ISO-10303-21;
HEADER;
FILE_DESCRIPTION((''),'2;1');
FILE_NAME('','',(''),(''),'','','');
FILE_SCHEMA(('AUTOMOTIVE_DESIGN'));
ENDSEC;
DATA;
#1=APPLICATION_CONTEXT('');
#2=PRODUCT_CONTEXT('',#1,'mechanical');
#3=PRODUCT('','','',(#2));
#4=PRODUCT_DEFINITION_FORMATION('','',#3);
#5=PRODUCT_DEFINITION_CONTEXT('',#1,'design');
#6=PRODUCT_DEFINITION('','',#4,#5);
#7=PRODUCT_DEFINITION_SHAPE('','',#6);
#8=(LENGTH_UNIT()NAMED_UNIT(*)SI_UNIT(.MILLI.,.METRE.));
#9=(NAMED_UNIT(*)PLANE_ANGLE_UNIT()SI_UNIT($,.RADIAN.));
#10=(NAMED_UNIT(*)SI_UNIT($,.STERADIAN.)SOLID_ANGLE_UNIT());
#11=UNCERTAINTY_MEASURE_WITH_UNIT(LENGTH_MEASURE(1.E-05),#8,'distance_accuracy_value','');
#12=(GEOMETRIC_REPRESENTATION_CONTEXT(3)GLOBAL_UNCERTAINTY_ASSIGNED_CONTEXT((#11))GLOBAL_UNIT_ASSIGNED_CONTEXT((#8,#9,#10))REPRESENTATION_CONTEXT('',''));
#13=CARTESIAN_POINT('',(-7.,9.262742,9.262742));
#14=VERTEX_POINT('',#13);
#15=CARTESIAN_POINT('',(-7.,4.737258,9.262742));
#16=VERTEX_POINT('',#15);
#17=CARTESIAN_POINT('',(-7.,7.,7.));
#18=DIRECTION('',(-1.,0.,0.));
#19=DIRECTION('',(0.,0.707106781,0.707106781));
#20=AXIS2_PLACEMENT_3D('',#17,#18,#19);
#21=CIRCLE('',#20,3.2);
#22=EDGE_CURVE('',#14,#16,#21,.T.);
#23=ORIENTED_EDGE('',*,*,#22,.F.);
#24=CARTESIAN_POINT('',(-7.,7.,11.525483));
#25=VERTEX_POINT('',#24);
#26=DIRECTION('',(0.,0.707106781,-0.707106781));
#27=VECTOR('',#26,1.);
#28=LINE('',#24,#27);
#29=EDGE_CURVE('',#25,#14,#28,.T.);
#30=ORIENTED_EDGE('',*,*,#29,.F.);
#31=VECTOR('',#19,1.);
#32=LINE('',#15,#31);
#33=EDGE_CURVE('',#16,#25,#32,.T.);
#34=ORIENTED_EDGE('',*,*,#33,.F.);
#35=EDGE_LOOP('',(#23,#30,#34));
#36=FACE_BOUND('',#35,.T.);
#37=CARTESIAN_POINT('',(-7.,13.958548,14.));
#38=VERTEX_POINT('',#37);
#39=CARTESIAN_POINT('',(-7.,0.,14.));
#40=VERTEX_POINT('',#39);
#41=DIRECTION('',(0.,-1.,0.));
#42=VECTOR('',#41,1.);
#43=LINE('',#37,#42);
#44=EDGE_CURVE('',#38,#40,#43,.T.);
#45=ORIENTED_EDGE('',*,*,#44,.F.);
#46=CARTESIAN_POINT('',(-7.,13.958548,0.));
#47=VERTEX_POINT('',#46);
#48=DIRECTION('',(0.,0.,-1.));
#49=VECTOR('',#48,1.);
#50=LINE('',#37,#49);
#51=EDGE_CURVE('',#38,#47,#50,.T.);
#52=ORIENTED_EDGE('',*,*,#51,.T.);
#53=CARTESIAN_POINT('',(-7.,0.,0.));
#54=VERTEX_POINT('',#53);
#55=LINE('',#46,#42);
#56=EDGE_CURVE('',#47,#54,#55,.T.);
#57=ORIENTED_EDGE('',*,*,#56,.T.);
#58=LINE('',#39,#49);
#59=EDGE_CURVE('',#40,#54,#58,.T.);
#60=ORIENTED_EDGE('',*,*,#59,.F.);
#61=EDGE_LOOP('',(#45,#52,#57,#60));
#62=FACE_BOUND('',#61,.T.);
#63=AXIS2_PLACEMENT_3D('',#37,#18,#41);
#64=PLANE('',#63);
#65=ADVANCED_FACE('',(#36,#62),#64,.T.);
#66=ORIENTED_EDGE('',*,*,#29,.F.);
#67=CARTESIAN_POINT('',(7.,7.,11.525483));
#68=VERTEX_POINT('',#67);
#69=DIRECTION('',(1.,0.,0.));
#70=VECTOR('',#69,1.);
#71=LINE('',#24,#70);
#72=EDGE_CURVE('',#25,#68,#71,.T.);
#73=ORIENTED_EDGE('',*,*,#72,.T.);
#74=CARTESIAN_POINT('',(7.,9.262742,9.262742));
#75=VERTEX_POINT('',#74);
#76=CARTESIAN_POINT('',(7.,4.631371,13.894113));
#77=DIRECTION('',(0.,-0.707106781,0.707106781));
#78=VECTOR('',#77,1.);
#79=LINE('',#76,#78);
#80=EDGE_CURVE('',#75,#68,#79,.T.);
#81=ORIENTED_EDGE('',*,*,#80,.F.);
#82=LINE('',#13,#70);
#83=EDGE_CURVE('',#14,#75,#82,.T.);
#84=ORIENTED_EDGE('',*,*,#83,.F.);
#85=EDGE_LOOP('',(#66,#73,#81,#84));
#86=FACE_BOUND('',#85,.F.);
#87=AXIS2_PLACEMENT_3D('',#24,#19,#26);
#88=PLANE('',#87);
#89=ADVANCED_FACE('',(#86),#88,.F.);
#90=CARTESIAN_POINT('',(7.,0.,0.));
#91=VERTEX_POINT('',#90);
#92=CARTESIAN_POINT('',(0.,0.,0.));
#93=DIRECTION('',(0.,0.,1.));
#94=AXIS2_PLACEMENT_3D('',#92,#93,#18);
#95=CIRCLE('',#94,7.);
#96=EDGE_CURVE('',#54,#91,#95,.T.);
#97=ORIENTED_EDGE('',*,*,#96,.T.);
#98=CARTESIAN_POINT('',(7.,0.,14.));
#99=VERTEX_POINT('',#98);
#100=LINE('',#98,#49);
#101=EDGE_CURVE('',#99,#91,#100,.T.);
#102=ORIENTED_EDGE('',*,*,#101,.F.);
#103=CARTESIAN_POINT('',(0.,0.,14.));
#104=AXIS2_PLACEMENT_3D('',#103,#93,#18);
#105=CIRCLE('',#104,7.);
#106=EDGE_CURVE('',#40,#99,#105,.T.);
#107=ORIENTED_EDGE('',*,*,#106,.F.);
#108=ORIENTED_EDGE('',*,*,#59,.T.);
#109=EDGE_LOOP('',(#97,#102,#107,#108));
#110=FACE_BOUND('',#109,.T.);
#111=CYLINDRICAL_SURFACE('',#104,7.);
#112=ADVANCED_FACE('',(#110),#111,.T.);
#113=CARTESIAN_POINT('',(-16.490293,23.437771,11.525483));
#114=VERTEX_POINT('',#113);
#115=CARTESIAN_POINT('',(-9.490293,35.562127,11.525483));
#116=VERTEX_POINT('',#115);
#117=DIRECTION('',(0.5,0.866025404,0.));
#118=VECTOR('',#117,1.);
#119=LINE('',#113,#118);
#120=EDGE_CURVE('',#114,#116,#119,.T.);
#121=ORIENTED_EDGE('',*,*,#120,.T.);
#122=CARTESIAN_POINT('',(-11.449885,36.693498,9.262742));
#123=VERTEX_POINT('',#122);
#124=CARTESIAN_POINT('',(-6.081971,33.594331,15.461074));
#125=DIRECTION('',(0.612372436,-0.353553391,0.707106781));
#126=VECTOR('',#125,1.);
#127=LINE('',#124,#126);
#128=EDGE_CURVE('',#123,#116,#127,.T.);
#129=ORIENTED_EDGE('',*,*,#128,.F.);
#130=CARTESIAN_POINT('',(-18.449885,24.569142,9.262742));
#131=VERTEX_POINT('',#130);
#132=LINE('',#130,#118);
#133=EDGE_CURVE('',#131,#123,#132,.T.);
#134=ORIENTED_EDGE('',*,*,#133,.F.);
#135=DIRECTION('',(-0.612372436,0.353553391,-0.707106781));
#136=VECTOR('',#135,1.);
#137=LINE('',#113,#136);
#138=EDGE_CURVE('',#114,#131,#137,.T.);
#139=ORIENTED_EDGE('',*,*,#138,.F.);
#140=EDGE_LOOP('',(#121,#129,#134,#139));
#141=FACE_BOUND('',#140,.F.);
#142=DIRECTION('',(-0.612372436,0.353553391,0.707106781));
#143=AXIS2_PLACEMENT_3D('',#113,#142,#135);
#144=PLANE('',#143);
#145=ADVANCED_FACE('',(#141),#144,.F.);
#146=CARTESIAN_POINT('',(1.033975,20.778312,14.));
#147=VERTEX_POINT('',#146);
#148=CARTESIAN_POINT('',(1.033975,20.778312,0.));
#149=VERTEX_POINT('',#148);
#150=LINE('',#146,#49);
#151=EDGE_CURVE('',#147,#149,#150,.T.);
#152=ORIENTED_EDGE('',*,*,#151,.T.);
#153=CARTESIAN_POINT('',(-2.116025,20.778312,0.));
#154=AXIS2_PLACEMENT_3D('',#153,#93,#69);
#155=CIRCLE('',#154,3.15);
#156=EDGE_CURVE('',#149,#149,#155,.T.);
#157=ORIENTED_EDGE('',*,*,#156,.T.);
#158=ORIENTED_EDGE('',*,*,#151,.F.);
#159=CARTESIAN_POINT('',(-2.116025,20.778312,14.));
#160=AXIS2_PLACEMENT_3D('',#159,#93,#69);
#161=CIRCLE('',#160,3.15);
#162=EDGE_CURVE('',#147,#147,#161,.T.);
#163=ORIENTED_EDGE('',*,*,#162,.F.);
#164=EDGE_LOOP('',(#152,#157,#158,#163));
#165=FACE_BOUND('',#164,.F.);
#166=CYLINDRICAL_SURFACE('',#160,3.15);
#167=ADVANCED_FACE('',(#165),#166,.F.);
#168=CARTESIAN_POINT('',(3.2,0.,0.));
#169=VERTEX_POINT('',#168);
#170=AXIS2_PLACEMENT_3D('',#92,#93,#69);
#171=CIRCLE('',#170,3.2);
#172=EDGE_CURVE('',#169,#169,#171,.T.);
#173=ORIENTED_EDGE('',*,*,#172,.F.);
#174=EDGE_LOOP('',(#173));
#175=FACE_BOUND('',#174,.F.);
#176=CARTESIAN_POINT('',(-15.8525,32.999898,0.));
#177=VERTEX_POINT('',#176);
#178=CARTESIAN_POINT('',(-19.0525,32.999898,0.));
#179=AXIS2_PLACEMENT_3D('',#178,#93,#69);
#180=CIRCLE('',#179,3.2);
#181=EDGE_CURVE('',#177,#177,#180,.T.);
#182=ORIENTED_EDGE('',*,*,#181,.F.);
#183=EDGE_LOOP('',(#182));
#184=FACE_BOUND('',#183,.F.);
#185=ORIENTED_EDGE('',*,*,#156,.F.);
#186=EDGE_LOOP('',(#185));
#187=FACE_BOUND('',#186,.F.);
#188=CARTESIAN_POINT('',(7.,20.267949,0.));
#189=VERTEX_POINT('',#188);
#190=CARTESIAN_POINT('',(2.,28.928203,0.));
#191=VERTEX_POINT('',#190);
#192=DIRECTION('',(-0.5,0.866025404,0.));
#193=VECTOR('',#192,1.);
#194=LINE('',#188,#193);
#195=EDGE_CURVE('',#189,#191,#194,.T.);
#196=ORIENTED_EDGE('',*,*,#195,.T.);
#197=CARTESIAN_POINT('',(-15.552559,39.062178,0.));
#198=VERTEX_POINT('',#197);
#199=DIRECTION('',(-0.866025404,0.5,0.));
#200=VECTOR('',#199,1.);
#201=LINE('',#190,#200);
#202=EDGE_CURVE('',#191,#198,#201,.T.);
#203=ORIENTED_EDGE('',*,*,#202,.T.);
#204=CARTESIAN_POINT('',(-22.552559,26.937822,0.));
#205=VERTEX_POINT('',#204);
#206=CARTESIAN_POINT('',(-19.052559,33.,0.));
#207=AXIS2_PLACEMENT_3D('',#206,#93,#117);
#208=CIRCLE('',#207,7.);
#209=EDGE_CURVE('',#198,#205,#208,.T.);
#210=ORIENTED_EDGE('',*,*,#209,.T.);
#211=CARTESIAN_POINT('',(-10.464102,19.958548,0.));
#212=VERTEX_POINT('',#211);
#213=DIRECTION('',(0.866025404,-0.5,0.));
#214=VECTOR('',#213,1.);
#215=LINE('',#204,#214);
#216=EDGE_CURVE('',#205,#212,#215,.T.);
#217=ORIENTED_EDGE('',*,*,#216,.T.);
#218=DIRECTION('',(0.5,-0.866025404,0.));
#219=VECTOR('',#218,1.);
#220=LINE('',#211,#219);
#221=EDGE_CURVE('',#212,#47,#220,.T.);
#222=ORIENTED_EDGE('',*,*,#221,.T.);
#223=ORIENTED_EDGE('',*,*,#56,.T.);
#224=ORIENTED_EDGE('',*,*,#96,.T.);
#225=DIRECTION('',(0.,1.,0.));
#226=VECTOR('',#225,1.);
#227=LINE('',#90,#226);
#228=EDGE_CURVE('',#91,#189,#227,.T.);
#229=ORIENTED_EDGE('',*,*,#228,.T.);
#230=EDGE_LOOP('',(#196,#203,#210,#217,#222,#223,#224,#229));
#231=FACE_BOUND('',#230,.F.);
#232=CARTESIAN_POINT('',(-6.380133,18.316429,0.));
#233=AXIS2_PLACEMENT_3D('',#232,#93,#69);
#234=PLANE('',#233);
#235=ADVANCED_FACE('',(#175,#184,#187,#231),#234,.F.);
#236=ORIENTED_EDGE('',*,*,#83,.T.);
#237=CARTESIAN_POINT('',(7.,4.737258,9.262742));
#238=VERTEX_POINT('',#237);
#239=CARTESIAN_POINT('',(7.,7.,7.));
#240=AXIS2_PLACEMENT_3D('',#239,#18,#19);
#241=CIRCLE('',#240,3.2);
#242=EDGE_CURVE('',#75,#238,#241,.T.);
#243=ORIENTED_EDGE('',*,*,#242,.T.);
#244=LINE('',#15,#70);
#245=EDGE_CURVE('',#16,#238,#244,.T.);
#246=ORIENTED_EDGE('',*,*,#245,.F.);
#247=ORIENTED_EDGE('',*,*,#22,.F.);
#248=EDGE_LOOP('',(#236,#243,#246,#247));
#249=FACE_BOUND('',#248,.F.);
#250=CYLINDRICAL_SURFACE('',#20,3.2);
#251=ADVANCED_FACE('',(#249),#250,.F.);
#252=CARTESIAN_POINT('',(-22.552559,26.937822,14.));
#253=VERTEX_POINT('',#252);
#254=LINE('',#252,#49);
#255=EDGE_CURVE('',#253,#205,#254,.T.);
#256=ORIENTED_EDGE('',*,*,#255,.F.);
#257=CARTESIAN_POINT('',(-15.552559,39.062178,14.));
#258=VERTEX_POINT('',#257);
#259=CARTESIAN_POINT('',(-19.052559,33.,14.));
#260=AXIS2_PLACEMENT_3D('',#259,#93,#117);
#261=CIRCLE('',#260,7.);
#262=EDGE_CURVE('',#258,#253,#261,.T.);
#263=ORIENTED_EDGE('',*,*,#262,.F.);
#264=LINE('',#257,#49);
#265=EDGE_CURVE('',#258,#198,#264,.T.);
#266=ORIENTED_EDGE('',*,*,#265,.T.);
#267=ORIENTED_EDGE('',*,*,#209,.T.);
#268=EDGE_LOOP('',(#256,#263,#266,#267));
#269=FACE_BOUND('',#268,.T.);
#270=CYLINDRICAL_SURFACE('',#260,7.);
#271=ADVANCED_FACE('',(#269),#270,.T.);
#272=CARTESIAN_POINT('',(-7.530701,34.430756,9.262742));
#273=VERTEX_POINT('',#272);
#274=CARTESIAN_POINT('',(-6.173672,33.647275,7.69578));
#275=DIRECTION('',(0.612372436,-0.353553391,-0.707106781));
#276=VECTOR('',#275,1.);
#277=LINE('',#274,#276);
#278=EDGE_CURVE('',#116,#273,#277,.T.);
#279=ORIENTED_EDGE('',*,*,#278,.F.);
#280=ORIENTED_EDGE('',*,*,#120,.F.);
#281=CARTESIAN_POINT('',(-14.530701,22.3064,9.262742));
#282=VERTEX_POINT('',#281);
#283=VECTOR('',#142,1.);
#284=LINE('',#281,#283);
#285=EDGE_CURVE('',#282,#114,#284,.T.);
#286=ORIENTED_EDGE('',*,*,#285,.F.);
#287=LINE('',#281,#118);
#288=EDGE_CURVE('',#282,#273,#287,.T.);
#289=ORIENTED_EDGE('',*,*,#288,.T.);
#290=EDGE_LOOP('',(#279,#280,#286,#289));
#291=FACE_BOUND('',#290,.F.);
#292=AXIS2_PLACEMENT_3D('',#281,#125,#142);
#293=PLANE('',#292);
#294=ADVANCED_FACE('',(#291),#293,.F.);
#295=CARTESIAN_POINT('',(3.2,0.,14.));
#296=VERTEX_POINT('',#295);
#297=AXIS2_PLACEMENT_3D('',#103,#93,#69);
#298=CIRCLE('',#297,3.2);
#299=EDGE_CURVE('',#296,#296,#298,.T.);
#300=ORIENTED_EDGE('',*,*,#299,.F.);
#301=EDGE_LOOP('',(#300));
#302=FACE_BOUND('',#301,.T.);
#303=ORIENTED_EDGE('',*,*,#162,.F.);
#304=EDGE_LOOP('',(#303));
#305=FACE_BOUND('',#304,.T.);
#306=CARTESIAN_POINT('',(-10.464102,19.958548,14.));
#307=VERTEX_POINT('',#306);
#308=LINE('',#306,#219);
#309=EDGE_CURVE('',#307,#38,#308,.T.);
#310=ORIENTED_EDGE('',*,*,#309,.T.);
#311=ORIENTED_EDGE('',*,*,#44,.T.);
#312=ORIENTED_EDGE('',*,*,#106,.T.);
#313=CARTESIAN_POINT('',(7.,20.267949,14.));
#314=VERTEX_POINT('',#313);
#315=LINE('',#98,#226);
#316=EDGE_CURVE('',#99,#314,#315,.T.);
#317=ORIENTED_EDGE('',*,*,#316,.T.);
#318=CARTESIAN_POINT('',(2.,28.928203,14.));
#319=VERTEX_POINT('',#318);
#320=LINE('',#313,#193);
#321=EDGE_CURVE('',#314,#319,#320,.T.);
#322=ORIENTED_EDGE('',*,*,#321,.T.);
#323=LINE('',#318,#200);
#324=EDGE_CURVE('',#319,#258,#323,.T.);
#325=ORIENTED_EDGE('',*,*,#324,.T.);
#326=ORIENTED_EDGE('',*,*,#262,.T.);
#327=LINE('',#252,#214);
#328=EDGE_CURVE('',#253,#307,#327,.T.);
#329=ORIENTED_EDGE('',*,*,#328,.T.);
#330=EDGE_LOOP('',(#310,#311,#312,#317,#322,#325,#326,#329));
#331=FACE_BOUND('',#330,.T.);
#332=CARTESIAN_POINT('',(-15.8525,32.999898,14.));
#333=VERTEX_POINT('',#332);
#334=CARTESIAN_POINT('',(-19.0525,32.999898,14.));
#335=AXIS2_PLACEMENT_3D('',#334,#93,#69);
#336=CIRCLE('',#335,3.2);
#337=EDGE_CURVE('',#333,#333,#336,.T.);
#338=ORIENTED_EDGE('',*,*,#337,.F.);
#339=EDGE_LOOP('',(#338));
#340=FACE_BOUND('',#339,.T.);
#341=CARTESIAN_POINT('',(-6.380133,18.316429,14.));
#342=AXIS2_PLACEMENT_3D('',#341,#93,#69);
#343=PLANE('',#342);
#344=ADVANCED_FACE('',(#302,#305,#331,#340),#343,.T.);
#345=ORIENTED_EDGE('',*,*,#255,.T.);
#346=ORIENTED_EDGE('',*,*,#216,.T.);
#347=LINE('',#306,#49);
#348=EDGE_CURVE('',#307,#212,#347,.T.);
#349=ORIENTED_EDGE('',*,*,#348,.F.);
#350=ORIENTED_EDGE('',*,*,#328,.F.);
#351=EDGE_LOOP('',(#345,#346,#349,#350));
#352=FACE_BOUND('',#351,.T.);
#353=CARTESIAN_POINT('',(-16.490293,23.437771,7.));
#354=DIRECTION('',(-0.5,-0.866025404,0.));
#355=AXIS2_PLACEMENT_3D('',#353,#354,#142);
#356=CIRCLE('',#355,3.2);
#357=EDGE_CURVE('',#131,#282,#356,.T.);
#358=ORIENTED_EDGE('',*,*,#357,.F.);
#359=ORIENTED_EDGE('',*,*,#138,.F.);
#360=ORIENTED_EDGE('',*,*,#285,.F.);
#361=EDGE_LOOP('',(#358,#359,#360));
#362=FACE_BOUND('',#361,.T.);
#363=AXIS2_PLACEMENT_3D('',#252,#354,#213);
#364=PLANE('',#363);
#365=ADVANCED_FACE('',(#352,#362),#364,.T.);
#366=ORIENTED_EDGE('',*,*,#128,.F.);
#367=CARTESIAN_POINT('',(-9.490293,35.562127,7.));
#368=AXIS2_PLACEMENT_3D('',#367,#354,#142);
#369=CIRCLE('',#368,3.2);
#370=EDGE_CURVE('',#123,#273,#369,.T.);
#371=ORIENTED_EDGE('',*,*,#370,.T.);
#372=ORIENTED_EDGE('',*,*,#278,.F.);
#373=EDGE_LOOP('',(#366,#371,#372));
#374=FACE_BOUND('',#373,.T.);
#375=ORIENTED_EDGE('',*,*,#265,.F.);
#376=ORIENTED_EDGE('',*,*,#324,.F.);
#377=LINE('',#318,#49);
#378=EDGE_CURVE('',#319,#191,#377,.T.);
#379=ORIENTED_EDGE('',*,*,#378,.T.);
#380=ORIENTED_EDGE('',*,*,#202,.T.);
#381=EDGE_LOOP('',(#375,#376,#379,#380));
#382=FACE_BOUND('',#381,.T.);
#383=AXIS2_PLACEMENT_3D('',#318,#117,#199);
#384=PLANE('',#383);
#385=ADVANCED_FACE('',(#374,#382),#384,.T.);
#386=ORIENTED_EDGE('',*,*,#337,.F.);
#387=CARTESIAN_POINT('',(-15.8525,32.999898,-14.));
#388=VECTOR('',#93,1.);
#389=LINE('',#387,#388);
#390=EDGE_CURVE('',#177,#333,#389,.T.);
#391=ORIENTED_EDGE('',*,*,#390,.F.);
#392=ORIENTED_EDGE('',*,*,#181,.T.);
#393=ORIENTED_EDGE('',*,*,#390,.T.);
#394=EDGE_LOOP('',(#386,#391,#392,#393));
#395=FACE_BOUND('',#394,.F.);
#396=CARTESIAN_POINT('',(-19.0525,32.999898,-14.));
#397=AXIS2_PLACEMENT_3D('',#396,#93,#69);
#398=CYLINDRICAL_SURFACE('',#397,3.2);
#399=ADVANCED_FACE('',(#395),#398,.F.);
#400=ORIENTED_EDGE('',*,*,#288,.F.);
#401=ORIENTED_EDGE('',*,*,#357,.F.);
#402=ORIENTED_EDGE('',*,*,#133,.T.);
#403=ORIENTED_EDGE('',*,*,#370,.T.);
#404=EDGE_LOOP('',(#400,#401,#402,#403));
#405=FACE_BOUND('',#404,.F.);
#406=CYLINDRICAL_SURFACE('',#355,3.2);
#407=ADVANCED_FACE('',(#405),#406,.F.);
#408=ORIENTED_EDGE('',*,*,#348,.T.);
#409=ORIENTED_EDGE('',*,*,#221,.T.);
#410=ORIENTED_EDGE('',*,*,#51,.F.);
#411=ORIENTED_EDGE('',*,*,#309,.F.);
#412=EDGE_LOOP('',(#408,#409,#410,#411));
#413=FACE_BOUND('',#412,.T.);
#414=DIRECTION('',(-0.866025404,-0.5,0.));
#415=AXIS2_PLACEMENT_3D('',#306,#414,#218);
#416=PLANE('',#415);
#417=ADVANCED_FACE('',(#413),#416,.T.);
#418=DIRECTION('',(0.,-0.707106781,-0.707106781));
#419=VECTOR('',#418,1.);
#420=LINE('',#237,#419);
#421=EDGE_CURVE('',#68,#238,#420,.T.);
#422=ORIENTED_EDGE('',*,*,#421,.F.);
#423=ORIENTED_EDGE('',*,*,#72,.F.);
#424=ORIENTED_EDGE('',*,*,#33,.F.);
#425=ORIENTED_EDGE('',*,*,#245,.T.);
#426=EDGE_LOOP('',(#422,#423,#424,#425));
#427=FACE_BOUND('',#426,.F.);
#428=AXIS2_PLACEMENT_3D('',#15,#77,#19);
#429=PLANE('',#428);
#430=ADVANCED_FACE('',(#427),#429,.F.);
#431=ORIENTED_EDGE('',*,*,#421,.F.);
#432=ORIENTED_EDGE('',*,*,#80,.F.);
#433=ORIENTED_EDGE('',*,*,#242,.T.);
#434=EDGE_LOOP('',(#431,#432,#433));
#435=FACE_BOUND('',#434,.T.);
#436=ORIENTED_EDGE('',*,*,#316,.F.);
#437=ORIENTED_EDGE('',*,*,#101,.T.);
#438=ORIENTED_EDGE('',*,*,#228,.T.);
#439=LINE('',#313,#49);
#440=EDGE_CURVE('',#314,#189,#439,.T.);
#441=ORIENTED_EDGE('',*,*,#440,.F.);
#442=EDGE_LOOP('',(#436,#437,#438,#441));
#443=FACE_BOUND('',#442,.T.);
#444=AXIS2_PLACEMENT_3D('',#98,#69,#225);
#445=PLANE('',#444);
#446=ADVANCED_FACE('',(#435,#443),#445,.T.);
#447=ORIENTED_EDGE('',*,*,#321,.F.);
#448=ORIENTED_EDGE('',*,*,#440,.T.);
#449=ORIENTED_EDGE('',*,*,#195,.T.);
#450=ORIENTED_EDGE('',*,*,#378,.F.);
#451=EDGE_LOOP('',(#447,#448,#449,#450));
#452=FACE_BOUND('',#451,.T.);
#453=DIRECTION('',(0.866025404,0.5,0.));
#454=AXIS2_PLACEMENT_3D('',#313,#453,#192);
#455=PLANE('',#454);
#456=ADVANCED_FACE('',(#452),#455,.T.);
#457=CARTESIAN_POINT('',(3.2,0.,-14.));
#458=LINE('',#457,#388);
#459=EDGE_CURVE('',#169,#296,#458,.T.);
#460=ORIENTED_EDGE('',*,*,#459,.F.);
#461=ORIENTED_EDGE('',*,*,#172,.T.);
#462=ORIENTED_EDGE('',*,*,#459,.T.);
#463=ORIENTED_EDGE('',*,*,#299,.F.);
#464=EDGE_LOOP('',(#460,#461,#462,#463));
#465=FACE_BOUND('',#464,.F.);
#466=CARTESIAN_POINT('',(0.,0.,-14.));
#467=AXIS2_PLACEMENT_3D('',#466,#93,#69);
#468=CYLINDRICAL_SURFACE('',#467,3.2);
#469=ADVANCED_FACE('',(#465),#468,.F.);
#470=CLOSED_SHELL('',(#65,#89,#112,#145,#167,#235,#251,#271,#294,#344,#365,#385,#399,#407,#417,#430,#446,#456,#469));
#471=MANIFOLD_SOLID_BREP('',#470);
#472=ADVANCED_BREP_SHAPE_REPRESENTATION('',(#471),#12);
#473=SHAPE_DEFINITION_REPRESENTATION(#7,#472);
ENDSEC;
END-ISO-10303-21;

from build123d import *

# Parameters (mm, degrees)
BOSS_EXTRUDE1_DEPTH = 14
HOLE1_D             = 6.4
HOLE1_DEPTH         = 14
HOLE2_D             = 6.4
HOLE2_DEPTH         = 14
CUT_EXTRUDE1_DEPTH  = 27.088457268
CUT_EXTRUDE2_DEPTH  = 15
SKETCH8_R           = 3.15
CUT_EXTRUDE3_DEPTH  = 15


with BuildPart() as part:
    # Sketch1 → Boss-Extrude1 (new body)
    with BuildSketch(Plane.XY.offset(14)):
        with BuildLine():
            Line((7, 0), (7, 20.267949192))
            Line((7, 20.267949192), (2, 28.92820323))
            Line((2, 28.92820323), (-15.552558883, 39.062177826))
            ThreePointArc((-15.552558883, 39.062177826), (-25.11473671, 36.5), (-22.552558883, 26.937822174))
            Line((-22.552558883, 26.937822174), (-10.464101615, 19.958548116))
            Line((-10.464101615, 19.958548116), (-7, 13.958548116))
            Line((-7, 13.958548116), (-7, 0))
            ThreePointArc((-7, 0), (0, -7), (7, 0))
        make_face()
    extrude(amount=-BOSS_EXTRUDE1_DEPTH)

    # Hole1
    with Locations(Plane(origin=(0, 0, 0), x_dir=(-1, 0, 0), z_dir=(0, 0, -1))):
        with Locations((0, 0)):
            Hole(HOLE1_D / 2, depth=HOLE1_DEPTH)

    # Hole2
    with Locations(Plane(origin=(0, 0, 0), x_dir=(-1, 0, 0), z_dir=(0, 0, -1))):
        with Locations((19.0525, 32.999898011)):
            Hole(HOLE2_D / 2, depth=HOLE2_DEPTH)

    # Sketch2 → Cut-Extrude1 (cut, through all)
    with BuildSketch(Plane(origin=(6.026279442, 10.437822174, 0), x_dir=(0.866025404, -0.5, 0), z_dir=(-0.5, -0.866025404, 0))):
        with BuildLine():
            Line((-25.999898011, 11.5254834), (-28.262639711, 9.2627417))
            ThreePointArc((-28.262639711, 9.2627417), (-25.999898011, 3.8), (-23.737156311, 9.2627417))
            Line((-23.737156311, 9.2627417), (-25.999898011, 11.5254834))
        make_face()
    extrude(amount=-CUT_EXTRUDE1_DEPTH, mode=Mode.SUBTRACT)

    # Sketch3 → Cut-Extrude2 (cut, through all)
    with BuildSketch(Plane.ZY.offset(7)):
        with BuildLine():
            Line((9.2627417, 4.7372583), (11.5254834, 7))
            Line((11.5254834, 7), (9.2627417, 9.2627417))
            ThreePointArc((9.2627417, 9.2627417), (3.8, 7), (9.2627417, 4.7372583))
        make_face()
    extrude(amount=-CUT_EXTRUDE2_DEPTH, mode=Mode.SUBTRACT)

    # Sketch8 → Cut-Extrude3 (cut, through all)
    with BuildSketch(Plane.XY.offset(14)):
        with Locations((-2.116025404, 20.778312164)):
            Circle(SKETCH8_R)
    extrude(amount=-CUT_EXTRUDE3_DEPTH, mode=Mode.SUBTRACT)


solid = part.part
